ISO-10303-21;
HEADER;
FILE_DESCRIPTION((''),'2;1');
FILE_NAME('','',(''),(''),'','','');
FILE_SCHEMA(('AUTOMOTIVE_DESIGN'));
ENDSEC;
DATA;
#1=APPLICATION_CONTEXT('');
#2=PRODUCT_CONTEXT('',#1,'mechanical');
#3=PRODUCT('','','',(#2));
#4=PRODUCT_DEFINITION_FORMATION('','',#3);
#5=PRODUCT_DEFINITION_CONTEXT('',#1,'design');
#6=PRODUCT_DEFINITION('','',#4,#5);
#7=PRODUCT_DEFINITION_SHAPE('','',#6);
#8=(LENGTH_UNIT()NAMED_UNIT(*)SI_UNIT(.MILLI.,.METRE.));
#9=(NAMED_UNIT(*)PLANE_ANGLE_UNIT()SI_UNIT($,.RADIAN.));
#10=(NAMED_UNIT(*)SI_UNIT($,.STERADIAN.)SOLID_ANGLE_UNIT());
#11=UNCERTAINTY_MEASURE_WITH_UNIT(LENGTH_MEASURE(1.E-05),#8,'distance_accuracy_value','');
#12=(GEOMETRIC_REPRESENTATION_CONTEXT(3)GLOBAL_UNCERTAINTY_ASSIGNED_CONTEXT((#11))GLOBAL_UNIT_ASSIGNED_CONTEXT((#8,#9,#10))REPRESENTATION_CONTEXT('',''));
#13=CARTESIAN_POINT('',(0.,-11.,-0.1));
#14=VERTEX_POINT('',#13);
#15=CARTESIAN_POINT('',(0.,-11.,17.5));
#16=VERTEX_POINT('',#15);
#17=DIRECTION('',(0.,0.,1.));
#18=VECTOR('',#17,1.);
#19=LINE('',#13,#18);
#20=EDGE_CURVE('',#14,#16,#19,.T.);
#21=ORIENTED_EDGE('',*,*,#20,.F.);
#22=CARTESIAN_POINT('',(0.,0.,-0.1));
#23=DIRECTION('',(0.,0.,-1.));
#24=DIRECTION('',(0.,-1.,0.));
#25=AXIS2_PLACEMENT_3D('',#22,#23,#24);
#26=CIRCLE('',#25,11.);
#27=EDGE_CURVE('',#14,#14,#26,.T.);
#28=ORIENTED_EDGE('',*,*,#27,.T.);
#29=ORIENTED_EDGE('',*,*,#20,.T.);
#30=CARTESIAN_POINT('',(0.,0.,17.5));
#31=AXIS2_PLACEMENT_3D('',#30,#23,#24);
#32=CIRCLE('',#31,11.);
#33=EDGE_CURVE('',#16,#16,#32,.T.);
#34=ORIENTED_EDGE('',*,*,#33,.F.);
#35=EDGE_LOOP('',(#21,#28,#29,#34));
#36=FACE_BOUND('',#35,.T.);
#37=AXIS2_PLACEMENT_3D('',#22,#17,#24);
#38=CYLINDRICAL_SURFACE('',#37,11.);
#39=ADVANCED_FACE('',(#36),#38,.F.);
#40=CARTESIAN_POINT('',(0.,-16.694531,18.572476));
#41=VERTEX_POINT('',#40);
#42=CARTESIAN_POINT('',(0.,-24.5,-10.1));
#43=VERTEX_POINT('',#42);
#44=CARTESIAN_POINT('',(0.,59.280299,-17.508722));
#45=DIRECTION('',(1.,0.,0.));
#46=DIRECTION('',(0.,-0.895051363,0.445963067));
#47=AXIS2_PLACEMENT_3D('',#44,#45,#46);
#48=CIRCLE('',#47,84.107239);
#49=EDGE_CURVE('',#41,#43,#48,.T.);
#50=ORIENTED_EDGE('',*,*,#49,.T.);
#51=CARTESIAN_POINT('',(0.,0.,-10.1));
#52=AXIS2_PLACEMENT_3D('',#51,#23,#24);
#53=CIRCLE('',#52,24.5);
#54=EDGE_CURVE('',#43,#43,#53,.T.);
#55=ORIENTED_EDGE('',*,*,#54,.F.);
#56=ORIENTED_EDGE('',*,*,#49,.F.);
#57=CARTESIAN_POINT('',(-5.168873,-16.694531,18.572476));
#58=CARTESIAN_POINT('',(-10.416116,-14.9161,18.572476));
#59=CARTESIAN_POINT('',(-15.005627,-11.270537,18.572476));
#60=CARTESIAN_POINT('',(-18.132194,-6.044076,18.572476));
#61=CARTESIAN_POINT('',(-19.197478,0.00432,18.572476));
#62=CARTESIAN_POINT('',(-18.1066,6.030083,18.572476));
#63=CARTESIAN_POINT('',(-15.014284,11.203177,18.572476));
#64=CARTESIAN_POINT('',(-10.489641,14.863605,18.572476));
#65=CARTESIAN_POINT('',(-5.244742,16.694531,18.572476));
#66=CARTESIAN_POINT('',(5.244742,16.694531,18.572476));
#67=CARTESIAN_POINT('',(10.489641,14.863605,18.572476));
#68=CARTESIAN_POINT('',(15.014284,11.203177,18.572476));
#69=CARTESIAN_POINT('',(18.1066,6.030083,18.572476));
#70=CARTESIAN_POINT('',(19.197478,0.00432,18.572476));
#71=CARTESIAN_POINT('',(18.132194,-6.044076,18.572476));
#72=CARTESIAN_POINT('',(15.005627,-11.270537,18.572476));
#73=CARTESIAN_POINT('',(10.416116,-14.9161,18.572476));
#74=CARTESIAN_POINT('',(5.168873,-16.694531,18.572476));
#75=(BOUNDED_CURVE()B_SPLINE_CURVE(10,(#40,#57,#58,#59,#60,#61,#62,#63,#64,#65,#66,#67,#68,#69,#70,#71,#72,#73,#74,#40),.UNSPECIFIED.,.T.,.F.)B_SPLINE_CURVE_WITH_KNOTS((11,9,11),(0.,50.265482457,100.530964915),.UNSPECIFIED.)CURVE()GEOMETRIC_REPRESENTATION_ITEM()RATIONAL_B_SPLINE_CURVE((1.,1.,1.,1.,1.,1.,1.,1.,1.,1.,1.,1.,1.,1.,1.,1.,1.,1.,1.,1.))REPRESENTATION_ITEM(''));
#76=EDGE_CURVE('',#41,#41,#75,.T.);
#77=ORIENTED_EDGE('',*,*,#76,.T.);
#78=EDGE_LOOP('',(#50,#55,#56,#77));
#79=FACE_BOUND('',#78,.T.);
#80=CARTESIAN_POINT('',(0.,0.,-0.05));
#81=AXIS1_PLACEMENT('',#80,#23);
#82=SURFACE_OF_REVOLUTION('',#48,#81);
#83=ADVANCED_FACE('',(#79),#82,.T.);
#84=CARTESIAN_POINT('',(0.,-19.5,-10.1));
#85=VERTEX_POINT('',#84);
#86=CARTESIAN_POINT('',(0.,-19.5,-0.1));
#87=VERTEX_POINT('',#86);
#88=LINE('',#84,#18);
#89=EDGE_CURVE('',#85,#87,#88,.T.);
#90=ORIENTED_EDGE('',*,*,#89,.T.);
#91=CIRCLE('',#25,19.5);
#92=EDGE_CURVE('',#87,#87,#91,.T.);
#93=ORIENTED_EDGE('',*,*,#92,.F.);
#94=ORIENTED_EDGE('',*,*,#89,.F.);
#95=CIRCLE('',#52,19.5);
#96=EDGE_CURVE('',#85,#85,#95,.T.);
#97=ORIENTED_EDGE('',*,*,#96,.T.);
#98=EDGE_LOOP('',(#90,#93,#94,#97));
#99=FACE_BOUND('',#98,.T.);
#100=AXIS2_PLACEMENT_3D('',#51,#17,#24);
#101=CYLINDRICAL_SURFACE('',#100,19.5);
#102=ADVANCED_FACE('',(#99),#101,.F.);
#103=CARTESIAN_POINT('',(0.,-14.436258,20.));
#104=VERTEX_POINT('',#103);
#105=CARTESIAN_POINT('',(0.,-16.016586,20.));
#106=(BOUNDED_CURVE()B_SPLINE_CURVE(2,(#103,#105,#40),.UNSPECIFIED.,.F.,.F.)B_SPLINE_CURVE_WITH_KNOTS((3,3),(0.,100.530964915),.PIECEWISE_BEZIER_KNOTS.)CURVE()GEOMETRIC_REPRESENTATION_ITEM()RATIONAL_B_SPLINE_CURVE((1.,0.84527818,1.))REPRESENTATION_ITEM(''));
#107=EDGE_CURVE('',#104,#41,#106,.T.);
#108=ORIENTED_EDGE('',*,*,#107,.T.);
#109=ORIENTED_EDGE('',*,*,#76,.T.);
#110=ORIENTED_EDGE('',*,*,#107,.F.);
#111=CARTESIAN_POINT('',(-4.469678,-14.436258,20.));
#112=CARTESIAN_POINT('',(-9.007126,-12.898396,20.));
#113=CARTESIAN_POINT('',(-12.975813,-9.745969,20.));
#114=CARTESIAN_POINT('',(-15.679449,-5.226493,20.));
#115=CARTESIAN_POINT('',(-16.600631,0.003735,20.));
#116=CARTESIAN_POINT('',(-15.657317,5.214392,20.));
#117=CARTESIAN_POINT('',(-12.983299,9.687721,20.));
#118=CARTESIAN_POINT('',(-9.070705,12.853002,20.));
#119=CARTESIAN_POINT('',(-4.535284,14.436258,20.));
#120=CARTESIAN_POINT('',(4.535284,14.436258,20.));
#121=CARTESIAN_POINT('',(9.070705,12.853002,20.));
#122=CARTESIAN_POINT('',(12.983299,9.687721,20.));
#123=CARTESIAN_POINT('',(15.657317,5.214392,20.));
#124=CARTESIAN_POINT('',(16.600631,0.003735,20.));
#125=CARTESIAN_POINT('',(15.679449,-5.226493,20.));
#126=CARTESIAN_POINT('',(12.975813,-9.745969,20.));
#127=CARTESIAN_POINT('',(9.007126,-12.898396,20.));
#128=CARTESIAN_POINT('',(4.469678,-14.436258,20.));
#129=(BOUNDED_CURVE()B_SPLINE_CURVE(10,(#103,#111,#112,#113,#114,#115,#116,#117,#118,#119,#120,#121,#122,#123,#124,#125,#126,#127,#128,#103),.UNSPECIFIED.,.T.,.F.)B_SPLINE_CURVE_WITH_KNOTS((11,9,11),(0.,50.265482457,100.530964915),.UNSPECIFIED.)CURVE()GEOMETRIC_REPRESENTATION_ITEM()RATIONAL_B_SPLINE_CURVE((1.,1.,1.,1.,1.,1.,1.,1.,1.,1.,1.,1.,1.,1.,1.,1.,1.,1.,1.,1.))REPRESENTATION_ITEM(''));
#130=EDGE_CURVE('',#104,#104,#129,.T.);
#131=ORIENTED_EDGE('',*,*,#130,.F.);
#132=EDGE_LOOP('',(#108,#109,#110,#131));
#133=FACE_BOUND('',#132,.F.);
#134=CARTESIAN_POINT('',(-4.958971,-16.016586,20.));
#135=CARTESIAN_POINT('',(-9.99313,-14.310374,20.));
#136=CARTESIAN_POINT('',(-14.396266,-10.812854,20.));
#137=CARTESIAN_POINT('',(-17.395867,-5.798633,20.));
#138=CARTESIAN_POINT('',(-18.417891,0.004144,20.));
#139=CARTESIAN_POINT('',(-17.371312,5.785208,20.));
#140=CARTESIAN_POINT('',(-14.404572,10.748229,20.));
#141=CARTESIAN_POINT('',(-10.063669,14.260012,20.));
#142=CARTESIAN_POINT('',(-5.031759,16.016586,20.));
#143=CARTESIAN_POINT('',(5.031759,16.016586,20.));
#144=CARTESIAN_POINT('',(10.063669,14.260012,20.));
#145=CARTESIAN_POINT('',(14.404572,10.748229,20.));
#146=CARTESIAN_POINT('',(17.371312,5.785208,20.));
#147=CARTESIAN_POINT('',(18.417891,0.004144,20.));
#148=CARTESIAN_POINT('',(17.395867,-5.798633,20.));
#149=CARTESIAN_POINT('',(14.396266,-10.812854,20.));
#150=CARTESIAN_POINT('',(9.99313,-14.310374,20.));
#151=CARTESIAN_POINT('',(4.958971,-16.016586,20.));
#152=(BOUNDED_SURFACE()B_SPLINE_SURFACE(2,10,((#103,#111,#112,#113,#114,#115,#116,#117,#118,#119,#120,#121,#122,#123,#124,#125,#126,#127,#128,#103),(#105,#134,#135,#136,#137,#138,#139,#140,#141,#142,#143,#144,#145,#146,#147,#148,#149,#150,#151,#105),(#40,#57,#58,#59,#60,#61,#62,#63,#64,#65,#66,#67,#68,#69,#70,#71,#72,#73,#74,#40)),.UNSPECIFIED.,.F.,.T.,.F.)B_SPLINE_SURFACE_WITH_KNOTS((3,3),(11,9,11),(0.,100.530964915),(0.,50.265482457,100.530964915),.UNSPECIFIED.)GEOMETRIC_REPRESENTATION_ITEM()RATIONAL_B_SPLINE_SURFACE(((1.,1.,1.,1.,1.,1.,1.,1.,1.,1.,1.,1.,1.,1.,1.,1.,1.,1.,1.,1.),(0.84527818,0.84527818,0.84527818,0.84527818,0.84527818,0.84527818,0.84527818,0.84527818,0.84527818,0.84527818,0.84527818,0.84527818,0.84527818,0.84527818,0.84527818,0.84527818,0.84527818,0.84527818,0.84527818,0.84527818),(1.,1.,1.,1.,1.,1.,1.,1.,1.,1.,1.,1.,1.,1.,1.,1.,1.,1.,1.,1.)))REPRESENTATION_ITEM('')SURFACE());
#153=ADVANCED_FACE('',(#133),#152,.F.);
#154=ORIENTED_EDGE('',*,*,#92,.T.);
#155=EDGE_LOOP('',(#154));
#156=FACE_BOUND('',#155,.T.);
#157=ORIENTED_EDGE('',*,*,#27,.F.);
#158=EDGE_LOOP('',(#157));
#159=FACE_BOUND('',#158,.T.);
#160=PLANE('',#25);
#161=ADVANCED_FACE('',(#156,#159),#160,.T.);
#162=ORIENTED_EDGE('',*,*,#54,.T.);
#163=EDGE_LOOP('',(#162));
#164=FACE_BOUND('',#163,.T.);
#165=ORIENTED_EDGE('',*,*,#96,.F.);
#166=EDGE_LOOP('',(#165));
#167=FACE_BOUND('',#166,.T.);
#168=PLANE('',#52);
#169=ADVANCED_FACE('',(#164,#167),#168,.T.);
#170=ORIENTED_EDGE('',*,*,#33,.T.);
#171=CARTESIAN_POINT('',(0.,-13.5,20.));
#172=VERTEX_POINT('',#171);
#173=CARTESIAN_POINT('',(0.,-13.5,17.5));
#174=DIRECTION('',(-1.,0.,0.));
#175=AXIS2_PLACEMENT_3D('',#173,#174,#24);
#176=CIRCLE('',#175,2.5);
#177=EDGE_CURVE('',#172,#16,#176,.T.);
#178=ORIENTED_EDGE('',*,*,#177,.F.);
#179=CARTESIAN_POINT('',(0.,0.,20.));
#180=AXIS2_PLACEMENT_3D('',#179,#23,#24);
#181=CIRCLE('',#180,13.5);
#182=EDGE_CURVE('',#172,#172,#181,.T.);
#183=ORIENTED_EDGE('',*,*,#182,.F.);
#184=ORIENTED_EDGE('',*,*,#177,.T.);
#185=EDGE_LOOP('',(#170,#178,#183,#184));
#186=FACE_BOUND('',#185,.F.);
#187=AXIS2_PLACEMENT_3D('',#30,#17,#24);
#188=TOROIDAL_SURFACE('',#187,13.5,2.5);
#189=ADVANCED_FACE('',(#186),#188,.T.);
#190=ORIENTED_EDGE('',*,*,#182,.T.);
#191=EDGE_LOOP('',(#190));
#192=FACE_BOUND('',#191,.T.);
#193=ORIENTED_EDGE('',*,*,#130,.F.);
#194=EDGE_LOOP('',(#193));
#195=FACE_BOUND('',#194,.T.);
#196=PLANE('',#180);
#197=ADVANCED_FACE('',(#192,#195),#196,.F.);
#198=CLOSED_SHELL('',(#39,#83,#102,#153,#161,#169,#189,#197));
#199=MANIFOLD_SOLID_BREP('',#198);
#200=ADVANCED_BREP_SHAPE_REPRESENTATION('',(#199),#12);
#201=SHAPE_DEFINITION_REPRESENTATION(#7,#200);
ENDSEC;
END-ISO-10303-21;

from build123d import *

# Parameters (mm, degrees)
F2_R = 2.5


with BuildPart() as f1:
    # F0 (on Right) → F1 (revolve)
    with BuildSketch(Plane.YZ):
        with BuildLine():
            Line((-11, 0), (-11, 20))
            Line((-11, 20), (-16, 20))
            ThreePointArc((-16, 20), (-21.661476, 5.34859), (-24.5, -10.1))
            Line((-24.5, -10.1), (-19.5, -10.1))
            Line((-19.5, -10.1), (-19.5, -0.1))
            Line((-19.5, -0.1), (-11, -0.1))
            Line((-11, -0.1), (-11, 0))
        make_face()
    revolve(axis=Axis((0, 0, -0.05), (0, 0, -1)))

    # F2
    f2_edges = [f1.edges().sort_by_distance(p)[0] for p in [
        (0, 11, 20),
        (0, 16, 20),
    ]]
    fillet(f2_edges, radius=F2_R)


solid = f1.part
